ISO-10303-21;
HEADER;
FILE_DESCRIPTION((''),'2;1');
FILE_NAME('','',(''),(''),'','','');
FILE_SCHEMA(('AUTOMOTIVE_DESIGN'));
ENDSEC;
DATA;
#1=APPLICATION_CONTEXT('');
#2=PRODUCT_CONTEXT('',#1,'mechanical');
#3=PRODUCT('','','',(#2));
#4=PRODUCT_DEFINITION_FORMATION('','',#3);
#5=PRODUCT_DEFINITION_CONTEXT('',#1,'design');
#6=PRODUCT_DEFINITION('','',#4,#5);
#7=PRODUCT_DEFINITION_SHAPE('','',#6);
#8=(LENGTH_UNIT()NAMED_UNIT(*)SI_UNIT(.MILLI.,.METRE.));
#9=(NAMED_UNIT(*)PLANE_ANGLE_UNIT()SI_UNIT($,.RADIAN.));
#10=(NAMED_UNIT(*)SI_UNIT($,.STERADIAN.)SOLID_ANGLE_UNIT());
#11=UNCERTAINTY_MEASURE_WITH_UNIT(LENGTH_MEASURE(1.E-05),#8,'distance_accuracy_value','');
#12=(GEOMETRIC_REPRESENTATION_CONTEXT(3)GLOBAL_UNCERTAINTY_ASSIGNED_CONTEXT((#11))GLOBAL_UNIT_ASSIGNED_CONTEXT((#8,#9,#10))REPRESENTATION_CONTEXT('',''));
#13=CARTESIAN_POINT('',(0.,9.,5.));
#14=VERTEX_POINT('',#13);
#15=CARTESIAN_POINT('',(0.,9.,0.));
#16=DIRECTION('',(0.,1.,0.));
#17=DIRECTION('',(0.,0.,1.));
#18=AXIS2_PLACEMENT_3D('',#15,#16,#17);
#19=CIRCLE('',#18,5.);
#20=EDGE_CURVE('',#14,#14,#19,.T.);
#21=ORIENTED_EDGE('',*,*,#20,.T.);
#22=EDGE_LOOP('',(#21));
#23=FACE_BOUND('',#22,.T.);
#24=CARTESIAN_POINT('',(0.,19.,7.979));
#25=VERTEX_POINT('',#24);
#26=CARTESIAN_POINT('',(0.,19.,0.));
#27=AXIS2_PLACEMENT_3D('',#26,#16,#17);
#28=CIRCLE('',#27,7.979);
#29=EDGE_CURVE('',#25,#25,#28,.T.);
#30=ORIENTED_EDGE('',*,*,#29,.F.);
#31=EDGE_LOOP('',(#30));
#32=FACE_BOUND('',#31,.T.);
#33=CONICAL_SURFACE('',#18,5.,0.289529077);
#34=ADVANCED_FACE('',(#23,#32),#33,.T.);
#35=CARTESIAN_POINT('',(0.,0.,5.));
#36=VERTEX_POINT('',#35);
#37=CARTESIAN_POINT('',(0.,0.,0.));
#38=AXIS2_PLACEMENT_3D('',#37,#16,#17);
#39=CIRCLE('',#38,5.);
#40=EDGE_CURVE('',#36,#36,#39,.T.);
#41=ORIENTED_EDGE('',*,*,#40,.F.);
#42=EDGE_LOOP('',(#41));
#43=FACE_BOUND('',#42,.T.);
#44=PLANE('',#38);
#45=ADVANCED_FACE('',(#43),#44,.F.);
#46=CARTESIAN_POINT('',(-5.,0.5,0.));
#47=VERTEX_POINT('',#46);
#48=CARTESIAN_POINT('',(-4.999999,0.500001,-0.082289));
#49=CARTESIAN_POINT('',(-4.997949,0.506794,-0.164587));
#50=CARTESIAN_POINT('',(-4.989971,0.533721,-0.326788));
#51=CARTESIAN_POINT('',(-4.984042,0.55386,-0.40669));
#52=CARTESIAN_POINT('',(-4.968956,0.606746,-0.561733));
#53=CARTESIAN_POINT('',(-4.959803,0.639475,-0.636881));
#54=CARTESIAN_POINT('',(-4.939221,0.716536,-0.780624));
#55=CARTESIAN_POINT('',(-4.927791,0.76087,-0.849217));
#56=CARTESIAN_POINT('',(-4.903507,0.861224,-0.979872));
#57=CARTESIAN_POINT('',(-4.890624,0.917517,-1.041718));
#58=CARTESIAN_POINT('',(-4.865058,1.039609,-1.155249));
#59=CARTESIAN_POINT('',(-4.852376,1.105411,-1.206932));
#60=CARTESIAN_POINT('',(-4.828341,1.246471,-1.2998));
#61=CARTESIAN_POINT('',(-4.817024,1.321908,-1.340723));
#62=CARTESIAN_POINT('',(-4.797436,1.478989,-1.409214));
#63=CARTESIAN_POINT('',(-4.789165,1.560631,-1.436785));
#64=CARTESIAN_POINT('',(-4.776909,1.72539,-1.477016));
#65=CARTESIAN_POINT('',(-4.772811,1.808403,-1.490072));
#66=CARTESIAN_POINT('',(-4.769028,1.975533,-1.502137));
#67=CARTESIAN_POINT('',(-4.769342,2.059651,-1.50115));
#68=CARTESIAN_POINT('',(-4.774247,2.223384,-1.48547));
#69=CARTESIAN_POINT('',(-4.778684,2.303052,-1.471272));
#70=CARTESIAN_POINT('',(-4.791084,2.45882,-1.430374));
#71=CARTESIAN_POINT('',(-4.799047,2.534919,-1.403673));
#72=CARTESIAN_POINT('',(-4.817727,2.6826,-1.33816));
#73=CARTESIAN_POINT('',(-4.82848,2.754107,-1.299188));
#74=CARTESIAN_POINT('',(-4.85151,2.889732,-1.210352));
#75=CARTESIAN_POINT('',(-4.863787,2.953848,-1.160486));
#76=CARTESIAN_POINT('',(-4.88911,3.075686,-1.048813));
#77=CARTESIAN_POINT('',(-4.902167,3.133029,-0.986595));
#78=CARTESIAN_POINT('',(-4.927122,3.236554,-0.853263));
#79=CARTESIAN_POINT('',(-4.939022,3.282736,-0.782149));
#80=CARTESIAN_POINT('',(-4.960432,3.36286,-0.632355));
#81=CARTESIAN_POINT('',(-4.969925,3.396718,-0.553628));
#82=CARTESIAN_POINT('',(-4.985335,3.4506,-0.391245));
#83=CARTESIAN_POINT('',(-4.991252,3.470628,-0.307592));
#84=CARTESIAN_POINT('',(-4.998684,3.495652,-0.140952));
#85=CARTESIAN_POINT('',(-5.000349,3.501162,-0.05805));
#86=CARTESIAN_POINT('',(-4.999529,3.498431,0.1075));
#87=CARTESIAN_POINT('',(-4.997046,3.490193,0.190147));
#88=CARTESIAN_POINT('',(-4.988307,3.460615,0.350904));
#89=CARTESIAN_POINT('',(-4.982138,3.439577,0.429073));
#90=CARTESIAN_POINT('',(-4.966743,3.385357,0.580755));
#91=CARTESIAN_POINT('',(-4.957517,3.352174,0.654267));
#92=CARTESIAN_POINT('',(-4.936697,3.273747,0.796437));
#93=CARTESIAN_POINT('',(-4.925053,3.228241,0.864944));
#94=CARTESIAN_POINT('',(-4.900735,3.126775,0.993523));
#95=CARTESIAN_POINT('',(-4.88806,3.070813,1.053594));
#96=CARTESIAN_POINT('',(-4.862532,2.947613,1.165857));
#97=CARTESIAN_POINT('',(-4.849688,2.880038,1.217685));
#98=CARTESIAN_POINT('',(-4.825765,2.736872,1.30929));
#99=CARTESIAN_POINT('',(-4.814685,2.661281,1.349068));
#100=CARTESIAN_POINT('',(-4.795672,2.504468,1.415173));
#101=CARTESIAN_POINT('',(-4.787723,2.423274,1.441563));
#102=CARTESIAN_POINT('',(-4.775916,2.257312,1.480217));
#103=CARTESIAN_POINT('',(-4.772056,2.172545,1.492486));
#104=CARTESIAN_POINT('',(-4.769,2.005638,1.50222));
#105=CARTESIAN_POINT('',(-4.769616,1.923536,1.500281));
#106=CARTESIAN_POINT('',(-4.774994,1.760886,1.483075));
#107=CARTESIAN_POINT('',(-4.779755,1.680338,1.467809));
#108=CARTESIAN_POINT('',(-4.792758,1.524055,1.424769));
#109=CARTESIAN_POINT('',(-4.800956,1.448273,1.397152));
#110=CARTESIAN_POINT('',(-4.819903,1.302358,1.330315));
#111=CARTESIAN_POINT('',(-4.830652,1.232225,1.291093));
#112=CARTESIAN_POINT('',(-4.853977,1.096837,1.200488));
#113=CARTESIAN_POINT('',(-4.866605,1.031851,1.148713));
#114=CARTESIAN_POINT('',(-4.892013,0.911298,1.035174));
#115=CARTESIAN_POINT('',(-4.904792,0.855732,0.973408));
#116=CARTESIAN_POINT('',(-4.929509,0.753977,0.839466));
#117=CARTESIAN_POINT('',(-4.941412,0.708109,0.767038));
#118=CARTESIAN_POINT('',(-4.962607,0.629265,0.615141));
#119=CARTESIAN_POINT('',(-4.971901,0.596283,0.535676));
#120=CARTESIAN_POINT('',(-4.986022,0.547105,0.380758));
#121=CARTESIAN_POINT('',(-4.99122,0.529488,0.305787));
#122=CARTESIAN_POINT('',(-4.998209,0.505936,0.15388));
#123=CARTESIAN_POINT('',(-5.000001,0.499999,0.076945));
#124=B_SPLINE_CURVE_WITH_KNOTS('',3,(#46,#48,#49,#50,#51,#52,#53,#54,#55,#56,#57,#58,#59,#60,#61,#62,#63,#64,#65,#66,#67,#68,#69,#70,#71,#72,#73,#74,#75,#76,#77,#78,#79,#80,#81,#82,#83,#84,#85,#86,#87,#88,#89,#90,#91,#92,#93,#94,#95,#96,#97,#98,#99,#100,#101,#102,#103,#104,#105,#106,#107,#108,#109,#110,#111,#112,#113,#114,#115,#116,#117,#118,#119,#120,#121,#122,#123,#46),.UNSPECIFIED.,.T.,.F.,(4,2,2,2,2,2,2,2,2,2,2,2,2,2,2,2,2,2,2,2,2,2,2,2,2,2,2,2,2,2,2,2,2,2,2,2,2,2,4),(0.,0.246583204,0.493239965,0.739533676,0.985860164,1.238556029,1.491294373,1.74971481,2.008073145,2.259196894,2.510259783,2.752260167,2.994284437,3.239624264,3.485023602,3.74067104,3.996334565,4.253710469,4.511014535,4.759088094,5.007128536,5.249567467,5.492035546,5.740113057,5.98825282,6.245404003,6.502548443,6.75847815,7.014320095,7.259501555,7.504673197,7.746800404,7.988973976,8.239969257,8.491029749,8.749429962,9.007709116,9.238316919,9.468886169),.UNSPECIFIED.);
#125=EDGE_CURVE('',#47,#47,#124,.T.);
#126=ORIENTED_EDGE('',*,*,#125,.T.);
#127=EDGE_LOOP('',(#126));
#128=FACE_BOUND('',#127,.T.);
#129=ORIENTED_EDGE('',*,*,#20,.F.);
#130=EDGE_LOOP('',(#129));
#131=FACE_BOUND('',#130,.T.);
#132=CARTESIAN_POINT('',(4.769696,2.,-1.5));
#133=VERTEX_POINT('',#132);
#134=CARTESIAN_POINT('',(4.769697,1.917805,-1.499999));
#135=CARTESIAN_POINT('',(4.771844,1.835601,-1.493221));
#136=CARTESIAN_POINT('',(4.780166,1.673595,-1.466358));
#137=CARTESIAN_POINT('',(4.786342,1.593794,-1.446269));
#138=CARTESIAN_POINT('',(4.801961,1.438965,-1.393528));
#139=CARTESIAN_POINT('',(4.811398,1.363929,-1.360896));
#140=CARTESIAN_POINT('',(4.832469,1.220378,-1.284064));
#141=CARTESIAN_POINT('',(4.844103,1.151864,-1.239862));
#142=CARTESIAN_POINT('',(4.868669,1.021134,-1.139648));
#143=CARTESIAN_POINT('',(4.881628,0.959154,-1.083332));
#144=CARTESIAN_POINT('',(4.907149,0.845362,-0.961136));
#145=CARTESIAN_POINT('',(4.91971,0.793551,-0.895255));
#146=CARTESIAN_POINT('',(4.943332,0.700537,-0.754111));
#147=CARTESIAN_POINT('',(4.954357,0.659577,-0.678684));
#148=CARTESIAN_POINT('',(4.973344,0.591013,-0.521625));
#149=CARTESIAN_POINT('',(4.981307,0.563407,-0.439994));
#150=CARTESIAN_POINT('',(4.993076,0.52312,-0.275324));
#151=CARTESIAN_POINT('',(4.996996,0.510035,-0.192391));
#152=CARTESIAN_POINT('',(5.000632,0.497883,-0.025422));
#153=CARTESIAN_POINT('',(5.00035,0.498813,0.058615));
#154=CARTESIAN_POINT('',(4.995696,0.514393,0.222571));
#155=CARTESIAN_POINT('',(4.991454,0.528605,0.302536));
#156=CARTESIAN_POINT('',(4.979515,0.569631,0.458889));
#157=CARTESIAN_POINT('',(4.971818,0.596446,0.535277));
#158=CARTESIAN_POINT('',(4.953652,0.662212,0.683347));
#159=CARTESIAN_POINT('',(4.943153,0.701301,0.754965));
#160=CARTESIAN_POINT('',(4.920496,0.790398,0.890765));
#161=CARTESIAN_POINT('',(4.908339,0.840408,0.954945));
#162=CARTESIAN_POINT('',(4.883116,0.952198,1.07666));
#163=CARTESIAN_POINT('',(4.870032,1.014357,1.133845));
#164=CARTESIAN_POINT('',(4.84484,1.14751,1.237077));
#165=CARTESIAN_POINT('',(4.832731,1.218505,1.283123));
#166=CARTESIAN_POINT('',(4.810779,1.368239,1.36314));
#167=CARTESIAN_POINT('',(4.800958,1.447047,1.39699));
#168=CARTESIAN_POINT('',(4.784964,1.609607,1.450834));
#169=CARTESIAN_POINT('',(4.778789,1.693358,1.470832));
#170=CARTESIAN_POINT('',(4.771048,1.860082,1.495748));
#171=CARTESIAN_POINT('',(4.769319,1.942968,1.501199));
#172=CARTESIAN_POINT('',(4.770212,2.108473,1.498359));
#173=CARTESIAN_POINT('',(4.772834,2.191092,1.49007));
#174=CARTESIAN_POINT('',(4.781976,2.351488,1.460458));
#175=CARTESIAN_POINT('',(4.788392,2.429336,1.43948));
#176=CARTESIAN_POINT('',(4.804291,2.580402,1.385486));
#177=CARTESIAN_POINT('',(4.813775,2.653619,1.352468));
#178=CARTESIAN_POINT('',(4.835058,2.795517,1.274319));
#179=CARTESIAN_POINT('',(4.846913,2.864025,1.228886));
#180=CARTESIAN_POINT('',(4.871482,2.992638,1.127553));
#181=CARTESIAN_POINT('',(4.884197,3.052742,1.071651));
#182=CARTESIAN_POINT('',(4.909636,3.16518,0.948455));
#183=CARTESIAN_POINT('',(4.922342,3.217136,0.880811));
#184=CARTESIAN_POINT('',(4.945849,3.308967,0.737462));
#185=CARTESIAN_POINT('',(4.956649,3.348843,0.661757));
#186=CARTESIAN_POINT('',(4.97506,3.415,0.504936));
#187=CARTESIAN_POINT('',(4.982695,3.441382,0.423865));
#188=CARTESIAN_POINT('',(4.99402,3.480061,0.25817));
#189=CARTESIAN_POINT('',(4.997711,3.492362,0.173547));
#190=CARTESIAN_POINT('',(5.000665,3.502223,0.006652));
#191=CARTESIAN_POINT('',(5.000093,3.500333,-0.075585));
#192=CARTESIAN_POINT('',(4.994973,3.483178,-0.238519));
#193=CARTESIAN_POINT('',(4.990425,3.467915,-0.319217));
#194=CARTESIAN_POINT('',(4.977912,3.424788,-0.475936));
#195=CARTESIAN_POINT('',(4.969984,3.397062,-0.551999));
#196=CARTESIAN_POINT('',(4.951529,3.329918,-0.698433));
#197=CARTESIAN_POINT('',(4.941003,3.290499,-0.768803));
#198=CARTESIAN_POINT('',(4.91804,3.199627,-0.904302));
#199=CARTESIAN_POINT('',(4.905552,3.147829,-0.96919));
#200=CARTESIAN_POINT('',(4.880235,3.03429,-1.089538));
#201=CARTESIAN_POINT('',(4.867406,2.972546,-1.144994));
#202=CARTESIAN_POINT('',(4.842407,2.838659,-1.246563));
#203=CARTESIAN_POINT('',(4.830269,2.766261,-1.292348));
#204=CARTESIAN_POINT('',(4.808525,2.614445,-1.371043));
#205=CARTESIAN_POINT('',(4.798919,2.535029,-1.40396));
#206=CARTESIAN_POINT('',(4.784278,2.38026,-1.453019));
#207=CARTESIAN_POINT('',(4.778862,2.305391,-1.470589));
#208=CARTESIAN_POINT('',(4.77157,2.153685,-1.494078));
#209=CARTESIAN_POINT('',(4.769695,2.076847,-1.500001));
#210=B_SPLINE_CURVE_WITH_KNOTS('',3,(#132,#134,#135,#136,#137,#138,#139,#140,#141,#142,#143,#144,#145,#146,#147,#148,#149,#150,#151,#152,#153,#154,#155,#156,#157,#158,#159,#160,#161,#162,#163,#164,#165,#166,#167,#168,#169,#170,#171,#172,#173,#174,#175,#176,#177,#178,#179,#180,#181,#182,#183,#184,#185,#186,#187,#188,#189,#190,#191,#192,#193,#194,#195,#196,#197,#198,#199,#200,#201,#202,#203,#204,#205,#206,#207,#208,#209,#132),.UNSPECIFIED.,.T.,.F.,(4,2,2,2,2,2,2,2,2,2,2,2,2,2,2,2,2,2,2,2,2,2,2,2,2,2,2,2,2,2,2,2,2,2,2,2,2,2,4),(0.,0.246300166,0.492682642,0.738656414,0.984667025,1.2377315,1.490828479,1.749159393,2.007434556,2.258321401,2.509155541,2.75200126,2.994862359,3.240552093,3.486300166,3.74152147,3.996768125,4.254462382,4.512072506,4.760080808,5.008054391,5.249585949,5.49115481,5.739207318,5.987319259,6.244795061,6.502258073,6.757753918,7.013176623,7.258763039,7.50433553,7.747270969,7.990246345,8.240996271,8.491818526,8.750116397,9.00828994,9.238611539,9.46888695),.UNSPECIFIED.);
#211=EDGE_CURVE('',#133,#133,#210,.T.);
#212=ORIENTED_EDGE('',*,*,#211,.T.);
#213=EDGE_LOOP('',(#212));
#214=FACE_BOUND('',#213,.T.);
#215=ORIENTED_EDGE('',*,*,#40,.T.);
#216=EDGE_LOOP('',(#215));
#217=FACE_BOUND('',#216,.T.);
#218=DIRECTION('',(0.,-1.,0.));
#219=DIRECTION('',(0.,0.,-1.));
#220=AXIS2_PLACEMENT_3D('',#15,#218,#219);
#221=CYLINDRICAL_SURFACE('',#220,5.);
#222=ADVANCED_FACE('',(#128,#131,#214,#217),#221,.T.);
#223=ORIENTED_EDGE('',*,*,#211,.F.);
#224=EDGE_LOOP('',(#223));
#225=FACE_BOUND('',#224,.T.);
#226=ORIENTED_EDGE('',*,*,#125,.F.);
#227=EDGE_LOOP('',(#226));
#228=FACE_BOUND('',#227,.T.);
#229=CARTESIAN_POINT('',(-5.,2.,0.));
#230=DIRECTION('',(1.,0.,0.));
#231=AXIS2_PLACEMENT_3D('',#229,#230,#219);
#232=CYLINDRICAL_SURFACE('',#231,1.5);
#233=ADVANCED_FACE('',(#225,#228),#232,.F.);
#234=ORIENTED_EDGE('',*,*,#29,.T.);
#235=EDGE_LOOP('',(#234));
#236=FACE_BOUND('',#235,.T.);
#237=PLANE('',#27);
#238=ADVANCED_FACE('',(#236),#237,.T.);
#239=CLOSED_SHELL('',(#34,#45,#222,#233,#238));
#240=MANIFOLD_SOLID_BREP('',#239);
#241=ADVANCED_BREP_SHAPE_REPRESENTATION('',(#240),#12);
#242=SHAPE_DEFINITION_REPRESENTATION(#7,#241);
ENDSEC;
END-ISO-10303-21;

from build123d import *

# Parameters (mm, degrees)
SKETCH1_R             = 5
BODY_DEPTH            = 9
PIN_INSERT_DEPTH      = 12.445523142
PIN_INSERT_DEPTH_BACK = 12.445523142
SKETCH2_R             = 1.5
HEAD_SA_R             = 7.979


with BuildPart() as part:
    # Sketch1 → body (new body)
    with BuildSketch(Plane(origin=(0, 0, 0), x_dir=(1, 0, 0), z_dir=(0, 1, 0))):
        with Locations(Location((0, 0, 0), (0, 0, 270))):
            Circle(SKETCH1_R)
    extrude(amount=BODY_DEPTH)

    # Sketch2 → pin insert (cut, two sides: drawn at the far end of the back side and taken through both)
    with BuildSketch(Plane(origin=(0, 0, 0), x_dir=(0, 0, -1), z_dir=(1, 0, 0)).offset(-PIN_INSERT_DEPTH_BACK)):
        with Locations((0, 2)):
            Circle(SKETCH2_R)
    extrude(amount=PIN_INSERT_DEPTH + PIN_INSERT_DEPTH_BACK, mode=Mode.SUBTRACT)

    # head SA → section 0 of cone
    with BuildSketch(Plane(origin=(0, 19, 0), x_dir=(1, 0, 0), z_dir=(0, 1, 0)), mode=Mode.PRIVATE) as cone_s0:
        Circle(HEAD_SA_R)
    # loft up to a face of the part (cone)
    loft([cone_s0.sketch, part.faces().sort_by_distance((0, 9, 0))[0]])


solid = part.part
